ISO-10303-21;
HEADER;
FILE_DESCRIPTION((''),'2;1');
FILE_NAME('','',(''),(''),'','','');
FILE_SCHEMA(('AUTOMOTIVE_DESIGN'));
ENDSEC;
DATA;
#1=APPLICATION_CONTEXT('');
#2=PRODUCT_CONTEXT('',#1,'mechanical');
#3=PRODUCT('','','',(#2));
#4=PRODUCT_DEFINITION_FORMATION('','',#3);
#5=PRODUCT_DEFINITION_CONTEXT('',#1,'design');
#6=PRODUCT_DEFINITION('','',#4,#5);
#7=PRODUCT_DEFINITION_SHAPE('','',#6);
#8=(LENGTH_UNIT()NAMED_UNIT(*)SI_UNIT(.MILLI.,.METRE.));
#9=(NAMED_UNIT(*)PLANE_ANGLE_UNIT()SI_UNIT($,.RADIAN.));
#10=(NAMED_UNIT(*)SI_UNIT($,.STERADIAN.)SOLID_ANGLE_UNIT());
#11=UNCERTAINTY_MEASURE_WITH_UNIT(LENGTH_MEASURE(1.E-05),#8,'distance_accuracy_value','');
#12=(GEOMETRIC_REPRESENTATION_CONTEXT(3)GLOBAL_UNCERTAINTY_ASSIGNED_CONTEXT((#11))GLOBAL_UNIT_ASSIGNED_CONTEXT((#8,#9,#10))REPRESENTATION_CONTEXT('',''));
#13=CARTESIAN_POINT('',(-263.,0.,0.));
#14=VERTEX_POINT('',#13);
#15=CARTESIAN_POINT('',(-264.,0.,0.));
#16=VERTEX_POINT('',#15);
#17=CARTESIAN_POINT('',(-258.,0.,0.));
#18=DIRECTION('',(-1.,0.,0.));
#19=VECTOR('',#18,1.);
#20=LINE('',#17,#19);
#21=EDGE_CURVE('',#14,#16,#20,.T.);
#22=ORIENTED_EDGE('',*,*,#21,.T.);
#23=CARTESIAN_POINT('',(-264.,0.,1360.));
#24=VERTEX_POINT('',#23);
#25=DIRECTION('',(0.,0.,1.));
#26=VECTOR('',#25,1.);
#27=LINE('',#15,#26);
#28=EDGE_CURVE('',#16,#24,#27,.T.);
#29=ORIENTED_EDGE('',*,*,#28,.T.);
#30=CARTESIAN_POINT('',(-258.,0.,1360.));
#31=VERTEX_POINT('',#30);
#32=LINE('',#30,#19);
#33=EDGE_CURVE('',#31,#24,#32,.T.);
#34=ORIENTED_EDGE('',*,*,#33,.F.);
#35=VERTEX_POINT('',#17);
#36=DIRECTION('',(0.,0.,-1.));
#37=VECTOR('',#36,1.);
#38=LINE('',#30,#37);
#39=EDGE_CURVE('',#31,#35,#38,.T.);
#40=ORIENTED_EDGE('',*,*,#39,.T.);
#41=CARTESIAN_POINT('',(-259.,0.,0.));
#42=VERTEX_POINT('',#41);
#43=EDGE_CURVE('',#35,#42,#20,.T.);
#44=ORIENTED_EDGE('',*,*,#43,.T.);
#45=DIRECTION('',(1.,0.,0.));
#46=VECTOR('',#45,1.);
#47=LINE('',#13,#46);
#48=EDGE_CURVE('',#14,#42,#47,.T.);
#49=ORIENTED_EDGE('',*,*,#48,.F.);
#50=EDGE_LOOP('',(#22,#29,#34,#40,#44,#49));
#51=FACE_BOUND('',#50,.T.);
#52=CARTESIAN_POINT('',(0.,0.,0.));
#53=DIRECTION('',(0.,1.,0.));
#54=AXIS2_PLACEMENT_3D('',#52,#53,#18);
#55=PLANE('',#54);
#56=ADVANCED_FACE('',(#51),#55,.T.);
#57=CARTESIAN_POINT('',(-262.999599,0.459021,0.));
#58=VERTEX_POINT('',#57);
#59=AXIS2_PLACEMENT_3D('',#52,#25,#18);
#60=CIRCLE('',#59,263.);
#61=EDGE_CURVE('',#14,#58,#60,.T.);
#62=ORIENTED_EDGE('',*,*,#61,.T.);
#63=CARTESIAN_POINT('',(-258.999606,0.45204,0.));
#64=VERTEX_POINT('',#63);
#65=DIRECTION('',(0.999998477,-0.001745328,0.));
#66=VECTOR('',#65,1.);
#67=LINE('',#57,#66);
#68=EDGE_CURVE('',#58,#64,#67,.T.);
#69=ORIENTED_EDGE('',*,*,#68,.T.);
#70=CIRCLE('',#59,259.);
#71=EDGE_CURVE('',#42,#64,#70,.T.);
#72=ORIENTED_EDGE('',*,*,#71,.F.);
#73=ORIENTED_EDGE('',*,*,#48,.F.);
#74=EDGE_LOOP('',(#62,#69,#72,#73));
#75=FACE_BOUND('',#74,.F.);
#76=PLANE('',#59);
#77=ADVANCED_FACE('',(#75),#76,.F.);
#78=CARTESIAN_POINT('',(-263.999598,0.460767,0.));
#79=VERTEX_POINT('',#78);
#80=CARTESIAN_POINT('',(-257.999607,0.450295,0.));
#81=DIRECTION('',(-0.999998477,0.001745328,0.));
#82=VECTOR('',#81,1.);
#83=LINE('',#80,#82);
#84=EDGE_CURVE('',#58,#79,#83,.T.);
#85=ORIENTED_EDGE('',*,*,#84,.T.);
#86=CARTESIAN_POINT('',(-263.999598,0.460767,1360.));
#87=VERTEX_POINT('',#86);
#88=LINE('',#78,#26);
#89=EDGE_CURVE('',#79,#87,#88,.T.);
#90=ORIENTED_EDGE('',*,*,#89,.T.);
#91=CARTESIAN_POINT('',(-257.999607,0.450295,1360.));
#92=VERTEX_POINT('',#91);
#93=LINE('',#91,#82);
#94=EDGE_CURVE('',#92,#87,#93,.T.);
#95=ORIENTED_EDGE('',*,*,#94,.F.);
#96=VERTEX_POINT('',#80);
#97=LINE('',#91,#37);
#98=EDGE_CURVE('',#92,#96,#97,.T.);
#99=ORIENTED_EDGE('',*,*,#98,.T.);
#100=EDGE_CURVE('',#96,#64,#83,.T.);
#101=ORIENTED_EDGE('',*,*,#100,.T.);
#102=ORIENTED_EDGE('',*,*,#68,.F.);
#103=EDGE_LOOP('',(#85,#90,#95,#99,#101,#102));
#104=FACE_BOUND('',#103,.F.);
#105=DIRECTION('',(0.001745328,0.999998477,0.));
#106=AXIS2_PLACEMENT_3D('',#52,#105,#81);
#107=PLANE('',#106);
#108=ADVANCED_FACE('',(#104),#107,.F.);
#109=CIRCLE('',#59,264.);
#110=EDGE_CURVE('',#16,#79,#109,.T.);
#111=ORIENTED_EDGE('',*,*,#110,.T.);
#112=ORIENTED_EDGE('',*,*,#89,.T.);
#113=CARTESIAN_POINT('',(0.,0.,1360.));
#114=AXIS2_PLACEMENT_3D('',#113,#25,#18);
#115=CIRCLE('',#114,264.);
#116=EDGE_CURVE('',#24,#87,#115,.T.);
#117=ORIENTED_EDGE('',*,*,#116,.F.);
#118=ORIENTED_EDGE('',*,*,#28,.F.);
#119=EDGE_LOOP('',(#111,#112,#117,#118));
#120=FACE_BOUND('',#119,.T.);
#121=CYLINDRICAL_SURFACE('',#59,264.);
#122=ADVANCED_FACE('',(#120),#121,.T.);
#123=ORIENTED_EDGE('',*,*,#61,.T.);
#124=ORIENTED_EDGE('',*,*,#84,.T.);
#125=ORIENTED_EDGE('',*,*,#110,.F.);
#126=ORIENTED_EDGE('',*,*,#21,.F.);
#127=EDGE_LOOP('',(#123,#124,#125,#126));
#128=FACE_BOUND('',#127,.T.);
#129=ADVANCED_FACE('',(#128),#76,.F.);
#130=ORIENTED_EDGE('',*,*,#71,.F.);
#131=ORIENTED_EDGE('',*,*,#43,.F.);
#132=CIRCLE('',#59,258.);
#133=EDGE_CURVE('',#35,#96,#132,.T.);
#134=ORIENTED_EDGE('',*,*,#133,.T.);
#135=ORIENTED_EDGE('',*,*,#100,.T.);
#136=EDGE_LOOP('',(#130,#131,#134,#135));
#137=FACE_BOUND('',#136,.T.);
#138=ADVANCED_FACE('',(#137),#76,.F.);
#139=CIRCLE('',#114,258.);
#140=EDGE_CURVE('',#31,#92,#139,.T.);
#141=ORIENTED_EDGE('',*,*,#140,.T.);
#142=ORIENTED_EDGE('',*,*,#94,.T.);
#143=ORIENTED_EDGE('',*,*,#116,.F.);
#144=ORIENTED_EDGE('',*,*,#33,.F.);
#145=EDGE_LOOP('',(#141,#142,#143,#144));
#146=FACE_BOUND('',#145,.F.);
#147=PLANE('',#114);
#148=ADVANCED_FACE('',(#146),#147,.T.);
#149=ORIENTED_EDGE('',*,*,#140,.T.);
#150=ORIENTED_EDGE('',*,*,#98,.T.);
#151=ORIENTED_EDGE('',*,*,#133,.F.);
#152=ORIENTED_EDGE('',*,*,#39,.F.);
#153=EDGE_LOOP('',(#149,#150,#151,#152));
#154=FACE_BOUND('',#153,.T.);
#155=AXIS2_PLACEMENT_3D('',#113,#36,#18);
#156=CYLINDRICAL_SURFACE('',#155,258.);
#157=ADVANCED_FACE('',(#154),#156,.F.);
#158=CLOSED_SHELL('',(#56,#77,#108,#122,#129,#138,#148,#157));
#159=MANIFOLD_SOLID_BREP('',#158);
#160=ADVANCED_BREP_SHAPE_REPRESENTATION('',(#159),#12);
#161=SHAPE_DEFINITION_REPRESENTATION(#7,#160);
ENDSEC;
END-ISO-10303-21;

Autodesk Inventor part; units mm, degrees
ref_plane "YZ Plane" through (0, 0, 0) normal (1, 0, 0) x (0, 1, 0)
ref_plane "XZ Plane" through (0, 0, 0) normal (0, 1, 0) x (-1, 0, 0)
ref_plane "XY Plane" through (0, 0, 0) normal (0, 0, 1) x (1, 0, 0)
sketch "Sketch1" plane through (0, 0, 0) normal (0, 1, 0) x (-1, 0, 0)
  line L0 (258, 1360) -> (258, 0)
  line L1 (258, 0) -> (264, 0)
  line L2 (0, 0) -> (0, 109.131)
  line L3 (258, 1360) -> (264, 1360)
  line L4 (264, 0) -> (264, 1360)
  line L5 (263, 0) -> (259, 0)
  point P0 (261, 0)
  dimension "d3" = 6
  dimension "d5" = 1360
  dimension "d12" = 528
revolve "Revolution1" add sketch "Sketch1" angle 359.9 about axis through (0, 0, 0) along (0, 0, 1)
sketch "Sketch2" plane through (0, 0, 0) normal (0, 1, 0) x (-1, 0, 0)
  circle A0 centre (0, -706) radius 706
  point P0 (0, 0)
  dimension "d9" = 1412
extrude "Extrusion1" [suppressed]
equation "\"BendRadius\" = Thickness"
equation "\"BendReliefWidth\" = Thickness"
equation "\"BendReliefDepth\" = 0.5 * Thickness"
equation "\"CornerReliefSize\" = 4 * Thickness"
equation "\"MinimumRemnant\" = 2 * Thickness"
equation "\"TransitionRadius\" = BendRadius"
equation "\"JacobiRadiusSize\" = BendRadius"
equation "\"GapSize\" = Thickness"
equation "\"Thickness\" = 6"
properties part number "TZS 1291 accses hatch shell" material "Steel"
